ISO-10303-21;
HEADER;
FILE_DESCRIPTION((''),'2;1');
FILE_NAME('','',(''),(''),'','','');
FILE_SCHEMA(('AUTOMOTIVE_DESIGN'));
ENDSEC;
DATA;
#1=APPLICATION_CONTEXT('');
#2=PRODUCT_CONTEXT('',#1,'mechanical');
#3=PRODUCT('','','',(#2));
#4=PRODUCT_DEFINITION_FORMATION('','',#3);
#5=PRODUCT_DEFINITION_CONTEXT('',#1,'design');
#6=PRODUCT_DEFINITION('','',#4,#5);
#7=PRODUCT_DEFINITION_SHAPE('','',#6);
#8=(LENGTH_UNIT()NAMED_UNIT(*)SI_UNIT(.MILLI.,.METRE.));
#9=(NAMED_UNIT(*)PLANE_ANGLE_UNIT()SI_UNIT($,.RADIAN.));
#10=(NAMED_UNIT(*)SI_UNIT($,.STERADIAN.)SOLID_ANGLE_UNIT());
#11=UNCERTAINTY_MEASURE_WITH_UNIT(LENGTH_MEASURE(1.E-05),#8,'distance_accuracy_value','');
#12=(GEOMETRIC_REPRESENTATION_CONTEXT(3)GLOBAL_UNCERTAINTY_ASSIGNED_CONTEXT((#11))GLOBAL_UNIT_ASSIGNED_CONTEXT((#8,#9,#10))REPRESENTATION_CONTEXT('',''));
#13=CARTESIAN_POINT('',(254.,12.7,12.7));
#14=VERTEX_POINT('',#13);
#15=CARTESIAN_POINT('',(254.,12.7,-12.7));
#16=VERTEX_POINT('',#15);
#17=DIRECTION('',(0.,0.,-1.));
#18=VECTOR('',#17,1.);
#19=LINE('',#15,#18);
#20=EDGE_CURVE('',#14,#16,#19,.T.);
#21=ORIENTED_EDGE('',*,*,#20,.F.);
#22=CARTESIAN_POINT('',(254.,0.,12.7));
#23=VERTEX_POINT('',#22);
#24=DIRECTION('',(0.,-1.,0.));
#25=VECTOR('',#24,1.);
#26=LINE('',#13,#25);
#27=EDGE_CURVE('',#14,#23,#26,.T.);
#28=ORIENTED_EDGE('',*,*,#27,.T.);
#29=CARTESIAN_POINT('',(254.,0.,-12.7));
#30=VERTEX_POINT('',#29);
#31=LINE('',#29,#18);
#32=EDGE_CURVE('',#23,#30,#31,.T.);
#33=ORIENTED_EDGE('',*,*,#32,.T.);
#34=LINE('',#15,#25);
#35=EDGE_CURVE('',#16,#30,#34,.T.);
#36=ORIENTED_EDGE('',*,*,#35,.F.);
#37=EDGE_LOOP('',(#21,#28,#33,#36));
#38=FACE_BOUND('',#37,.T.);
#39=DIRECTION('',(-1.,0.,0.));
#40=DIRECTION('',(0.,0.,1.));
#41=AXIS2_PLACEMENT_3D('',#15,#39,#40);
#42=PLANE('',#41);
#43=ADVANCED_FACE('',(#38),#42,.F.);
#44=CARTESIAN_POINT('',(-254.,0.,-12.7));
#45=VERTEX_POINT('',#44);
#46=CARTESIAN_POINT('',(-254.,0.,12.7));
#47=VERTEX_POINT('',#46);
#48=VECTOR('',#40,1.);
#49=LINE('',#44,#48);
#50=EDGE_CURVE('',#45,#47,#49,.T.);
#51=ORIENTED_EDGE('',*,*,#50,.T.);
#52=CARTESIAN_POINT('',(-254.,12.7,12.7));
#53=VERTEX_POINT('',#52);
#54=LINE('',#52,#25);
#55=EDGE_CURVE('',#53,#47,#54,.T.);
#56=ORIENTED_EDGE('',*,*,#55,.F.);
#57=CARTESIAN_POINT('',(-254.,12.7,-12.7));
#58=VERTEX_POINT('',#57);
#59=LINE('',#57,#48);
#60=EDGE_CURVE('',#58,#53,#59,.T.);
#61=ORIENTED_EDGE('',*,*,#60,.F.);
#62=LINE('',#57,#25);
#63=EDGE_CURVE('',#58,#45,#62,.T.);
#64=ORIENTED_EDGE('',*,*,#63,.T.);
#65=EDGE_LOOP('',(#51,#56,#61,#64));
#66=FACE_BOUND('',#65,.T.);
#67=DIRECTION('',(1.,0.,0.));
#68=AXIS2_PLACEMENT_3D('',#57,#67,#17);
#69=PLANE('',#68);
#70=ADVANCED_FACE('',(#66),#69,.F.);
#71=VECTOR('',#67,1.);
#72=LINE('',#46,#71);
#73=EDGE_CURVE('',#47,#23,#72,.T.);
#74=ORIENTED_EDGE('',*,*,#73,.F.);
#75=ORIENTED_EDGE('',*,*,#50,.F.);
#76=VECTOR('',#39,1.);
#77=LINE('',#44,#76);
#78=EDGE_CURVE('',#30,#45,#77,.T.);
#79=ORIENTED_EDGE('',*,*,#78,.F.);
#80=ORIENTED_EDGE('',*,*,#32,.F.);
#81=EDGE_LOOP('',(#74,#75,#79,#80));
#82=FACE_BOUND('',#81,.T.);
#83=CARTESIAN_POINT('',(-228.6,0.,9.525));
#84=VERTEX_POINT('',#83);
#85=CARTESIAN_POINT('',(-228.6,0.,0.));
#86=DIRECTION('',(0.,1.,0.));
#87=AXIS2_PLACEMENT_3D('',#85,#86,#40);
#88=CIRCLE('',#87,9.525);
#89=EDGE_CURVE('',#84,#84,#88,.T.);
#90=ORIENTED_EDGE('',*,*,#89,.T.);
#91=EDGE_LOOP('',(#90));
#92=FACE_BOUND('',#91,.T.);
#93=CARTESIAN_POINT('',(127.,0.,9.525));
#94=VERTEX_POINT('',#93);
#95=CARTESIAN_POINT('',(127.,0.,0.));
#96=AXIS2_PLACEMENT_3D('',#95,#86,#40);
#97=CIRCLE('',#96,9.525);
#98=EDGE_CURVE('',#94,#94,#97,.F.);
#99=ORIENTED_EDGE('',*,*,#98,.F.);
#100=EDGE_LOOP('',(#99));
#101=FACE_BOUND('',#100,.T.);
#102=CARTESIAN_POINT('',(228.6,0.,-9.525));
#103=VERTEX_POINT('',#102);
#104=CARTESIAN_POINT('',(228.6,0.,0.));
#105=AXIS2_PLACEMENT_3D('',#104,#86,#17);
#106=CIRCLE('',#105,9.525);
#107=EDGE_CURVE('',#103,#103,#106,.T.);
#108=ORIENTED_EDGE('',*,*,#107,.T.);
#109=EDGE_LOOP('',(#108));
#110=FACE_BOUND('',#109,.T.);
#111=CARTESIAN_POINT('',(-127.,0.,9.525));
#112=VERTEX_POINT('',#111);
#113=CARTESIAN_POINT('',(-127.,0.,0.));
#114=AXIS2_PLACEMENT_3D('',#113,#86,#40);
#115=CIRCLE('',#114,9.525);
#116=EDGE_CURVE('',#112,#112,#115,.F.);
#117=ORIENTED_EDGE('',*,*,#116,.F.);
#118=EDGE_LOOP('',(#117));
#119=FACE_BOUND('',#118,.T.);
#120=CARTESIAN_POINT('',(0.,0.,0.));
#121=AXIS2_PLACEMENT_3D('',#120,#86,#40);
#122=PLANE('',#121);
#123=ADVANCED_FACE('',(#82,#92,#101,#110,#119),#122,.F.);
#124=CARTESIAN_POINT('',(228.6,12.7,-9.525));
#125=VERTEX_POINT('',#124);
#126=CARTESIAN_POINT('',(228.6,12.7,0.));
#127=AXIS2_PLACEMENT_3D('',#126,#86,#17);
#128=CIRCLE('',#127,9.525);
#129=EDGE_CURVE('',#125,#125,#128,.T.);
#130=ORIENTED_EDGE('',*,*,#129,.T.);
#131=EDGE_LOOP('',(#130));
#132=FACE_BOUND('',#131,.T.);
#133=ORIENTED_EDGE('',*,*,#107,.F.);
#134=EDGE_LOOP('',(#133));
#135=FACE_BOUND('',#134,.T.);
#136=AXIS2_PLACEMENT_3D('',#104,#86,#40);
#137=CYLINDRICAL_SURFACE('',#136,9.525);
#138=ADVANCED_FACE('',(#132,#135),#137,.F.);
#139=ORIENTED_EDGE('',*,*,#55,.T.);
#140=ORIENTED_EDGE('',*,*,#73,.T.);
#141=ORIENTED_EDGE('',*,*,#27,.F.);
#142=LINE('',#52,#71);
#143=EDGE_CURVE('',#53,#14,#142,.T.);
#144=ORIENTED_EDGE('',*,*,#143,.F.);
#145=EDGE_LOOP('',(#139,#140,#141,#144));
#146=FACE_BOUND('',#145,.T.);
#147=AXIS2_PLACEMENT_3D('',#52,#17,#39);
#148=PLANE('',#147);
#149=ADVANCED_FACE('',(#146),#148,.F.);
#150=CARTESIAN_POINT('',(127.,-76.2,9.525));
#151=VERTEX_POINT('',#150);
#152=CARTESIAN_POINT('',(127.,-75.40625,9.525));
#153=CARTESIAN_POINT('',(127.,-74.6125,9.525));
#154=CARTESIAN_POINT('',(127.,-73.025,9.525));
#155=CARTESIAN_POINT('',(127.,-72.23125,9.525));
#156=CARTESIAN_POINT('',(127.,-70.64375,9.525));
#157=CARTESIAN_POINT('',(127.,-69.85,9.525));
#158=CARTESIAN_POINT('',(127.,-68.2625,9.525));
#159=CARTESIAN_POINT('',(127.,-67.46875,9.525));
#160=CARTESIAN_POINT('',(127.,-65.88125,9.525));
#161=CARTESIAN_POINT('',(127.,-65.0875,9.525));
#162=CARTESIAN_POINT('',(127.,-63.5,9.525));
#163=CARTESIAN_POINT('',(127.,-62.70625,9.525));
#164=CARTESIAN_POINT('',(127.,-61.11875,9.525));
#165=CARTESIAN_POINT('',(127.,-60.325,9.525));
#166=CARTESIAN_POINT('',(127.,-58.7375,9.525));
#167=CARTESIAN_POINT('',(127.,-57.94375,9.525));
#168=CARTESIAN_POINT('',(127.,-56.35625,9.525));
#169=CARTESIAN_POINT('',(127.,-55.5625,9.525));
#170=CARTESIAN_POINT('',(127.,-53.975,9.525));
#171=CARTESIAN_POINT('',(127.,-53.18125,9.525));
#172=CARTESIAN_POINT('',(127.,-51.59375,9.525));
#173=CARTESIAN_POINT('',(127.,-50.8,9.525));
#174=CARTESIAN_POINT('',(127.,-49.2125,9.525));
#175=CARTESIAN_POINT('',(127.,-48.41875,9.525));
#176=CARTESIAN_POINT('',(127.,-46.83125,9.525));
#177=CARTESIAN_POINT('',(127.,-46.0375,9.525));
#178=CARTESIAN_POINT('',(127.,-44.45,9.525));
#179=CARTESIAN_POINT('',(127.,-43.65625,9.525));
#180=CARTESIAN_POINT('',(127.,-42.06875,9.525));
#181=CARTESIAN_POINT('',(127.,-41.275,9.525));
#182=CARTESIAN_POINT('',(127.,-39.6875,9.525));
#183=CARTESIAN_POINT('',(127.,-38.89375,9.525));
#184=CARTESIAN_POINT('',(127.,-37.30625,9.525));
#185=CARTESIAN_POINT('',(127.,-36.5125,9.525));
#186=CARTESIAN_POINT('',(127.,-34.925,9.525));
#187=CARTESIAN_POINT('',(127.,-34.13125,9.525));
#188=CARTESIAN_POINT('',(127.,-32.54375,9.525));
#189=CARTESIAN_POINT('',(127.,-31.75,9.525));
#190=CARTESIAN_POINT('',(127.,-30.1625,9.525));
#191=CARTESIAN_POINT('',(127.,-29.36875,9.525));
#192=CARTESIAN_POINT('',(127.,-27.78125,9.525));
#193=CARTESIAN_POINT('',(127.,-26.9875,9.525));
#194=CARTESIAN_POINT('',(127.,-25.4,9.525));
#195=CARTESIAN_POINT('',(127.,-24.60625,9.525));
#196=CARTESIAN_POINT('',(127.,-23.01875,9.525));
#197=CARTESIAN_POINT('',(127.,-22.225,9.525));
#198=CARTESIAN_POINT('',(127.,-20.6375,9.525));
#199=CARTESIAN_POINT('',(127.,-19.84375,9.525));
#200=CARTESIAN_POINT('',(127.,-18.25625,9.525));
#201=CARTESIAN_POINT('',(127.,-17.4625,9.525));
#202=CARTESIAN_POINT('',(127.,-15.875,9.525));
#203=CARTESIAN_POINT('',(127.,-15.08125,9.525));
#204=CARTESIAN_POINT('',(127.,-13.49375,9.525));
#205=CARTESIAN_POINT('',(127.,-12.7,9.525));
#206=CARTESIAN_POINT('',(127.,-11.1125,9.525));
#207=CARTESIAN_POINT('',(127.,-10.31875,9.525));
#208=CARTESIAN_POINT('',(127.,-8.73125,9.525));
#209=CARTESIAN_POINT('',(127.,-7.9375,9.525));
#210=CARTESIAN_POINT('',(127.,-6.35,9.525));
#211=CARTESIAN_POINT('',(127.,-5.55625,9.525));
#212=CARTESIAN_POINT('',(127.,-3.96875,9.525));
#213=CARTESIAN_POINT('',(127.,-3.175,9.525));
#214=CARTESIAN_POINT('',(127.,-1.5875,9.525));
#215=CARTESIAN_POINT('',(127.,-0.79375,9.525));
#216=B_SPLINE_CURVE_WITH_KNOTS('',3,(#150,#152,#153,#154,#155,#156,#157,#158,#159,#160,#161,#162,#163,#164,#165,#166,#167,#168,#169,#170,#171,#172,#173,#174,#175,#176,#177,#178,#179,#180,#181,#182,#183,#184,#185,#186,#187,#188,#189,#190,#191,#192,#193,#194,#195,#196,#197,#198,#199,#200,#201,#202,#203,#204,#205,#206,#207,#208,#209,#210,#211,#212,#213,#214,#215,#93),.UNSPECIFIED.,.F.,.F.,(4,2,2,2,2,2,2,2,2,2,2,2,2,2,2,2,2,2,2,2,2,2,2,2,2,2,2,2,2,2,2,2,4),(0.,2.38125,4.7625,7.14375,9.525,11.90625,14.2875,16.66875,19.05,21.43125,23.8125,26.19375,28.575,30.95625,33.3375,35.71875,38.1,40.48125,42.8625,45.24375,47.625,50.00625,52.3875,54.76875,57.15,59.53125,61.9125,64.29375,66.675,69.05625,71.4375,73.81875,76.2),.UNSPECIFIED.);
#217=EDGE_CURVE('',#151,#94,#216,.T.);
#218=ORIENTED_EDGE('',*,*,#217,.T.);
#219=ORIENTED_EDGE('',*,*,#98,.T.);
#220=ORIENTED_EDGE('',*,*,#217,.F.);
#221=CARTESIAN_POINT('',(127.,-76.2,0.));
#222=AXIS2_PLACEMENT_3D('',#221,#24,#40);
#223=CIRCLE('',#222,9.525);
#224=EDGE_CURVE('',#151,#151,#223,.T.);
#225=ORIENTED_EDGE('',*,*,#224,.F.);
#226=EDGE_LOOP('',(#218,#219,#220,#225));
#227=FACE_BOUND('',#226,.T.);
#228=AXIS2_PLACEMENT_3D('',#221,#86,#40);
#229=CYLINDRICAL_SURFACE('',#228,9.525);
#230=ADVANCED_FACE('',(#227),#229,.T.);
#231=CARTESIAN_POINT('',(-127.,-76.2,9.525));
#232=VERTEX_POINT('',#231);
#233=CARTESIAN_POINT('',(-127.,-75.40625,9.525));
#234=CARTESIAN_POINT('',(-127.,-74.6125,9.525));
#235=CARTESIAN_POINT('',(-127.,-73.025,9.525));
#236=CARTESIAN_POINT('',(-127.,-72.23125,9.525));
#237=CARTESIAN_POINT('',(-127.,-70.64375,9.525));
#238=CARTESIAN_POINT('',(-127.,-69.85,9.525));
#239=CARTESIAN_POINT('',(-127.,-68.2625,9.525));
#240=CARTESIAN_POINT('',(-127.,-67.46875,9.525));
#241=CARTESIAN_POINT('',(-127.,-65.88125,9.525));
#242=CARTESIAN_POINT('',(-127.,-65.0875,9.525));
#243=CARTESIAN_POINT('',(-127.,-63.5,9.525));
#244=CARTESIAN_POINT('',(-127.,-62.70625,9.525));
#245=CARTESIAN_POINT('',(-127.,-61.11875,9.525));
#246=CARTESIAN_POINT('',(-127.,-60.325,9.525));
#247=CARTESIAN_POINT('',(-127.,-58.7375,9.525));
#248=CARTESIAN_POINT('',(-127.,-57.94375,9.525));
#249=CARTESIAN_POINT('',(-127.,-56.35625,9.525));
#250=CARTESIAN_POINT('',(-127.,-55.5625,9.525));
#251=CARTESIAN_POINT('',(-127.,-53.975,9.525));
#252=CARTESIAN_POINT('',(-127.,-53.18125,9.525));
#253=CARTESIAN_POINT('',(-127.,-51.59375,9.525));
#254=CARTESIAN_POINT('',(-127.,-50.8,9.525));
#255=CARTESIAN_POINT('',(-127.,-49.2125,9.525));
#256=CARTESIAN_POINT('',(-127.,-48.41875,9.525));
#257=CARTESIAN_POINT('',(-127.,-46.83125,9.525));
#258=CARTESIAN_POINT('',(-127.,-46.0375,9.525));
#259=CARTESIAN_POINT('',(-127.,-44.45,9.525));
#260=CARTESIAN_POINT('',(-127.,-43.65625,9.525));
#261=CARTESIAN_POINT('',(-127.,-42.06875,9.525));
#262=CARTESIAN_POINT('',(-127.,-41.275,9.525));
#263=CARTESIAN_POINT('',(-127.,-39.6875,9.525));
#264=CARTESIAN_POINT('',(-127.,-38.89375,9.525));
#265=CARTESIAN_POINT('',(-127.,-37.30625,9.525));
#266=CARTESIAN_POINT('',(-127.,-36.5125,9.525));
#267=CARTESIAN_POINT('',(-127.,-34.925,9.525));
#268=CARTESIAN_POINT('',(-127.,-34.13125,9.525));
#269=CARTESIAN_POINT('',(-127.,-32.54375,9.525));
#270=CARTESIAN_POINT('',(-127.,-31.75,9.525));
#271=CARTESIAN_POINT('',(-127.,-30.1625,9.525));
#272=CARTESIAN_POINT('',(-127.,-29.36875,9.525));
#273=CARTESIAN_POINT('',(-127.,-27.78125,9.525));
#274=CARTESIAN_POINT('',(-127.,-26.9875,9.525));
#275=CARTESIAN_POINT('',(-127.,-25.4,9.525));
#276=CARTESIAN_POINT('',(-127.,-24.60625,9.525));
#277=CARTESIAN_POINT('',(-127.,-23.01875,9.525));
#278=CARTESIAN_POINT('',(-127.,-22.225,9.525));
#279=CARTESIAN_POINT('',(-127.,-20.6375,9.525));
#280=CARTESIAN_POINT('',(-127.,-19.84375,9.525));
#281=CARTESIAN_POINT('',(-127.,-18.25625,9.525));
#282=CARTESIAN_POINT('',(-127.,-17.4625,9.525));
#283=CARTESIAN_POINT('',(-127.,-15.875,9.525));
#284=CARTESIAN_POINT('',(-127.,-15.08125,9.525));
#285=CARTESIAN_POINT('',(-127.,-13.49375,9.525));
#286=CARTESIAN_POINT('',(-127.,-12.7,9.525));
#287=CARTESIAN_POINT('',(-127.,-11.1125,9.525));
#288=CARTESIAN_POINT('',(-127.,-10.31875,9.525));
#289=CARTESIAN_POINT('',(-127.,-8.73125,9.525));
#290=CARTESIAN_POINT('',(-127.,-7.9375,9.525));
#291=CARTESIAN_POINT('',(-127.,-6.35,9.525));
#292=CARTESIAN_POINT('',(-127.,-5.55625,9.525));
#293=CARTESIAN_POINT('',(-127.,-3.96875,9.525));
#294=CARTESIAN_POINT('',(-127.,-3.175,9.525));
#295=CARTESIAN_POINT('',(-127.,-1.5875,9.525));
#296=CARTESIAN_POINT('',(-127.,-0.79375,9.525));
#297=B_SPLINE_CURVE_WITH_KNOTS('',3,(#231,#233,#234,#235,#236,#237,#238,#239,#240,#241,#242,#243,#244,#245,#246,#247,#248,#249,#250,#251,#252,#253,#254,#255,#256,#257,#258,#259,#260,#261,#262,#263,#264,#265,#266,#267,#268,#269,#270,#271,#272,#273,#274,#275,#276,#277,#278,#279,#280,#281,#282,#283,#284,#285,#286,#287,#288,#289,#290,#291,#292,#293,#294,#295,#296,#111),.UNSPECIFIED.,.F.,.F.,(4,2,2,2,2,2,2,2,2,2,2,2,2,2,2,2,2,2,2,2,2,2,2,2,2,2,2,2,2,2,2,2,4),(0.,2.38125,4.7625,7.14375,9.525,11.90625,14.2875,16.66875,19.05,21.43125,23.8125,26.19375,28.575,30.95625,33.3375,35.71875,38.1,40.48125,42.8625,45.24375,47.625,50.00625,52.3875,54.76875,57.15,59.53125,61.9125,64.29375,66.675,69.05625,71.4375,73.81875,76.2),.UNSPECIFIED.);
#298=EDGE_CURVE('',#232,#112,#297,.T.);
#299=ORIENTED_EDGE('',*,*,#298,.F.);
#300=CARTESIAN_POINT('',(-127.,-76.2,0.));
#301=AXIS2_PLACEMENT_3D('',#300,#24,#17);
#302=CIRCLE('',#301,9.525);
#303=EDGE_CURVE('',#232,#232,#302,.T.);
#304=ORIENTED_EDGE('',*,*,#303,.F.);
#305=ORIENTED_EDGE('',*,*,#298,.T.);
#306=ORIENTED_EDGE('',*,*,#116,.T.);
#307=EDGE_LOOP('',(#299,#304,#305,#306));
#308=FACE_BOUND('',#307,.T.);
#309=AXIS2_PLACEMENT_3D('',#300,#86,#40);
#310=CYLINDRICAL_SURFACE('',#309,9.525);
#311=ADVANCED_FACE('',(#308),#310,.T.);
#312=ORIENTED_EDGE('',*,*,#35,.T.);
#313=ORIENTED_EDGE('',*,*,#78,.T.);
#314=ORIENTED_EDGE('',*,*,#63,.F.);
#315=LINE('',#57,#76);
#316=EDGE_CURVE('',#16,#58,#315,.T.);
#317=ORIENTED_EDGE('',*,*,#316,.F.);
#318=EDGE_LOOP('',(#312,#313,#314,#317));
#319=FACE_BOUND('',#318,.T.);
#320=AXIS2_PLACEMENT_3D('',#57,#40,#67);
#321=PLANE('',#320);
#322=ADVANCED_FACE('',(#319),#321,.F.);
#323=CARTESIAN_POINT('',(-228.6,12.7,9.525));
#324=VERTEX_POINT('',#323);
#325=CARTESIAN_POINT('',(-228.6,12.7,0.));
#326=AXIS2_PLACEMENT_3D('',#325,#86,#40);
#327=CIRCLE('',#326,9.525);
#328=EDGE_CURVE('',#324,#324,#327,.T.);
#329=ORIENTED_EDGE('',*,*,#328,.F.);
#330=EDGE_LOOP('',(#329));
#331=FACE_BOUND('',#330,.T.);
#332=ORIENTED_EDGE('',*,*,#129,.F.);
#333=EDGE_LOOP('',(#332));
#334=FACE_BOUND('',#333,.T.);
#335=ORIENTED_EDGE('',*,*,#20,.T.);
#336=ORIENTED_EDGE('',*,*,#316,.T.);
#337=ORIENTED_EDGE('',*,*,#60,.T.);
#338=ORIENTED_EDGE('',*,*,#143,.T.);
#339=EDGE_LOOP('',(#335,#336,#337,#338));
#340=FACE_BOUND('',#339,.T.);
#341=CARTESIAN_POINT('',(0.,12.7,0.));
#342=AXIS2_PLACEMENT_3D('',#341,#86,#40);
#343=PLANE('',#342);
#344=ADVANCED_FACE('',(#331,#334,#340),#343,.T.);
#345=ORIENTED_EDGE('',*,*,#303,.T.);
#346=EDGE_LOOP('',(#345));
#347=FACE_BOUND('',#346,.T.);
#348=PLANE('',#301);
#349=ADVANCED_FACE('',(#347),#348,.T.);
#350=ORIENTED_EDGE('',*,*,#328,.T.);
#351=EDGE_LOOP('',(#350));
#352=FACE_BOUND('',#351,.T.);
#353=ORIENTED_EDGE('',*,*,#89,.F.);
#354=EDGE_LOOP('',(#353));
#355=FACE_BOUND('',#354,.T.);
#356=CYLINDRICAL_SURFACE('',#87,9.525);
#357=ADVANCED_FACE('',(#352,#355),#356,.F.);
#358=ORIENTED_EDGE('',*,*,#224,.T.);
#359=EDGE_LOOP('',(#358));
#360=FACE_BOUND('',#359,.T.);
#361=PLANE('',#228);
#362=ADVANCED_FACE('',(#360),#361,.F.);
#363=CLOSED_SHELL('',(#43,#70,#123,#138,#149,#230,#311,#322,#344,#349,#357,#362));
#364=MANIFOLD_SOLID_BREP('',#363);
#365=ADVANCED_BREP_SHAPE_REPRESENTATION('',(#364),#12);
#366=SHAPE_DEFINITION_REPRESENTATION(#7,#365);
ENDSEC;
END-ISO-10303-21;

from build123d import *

# Parameters (mm, degrees)
SKETCH1_W           = 508
SKETCH1_H           = 25.4
BOSS_EXTRUDE1_DEPTH = 12.7
SKETCH2_R           = 9.525
CUT_EXTRUDE1_DEPTH  = 255.634208228
SKETCH3_R           = 9.525
BOSS_EXTRUDE2_DEPTH = 76.2


with BuildPart() as part:
    # Sketch1 → Boss-Extrude1 (new body)
    with BuildSketch(Plane(origin=(0, 0, 0), x_dir=(1, 0, 0), z_dir=(0, 1, 0))):
        Rectangle(SKETCH1_W, SKETCH1_H)
    extrude(amount=BOSS_EXTRUDE1_DEPTH)

    # Sketch2 → Cut-Extrude1 (cut, through all)
    with BuildSketch(Plane(origin=(0, 12.7, 0), x_dir=(1, 0, 0), z_dir=(0, 1, 0))):
        with Locations(Location((-228.6, 0, 0), (0, 0, 270))):
            Circle(SKETCH2_R)
        with Locations(Location((228.6, 0, 0), (0, 0, 90))):
            Circle(SKETCH2_R)
    extrude(amount=-CUT_EXTRUDE1_DEPTH, mode=Mode.SUBTRACT)

    # Sketch3 → Boss-Extrude2 (add)
    with BuildSketch(Plane.XZ):
        with Locations(Location((-127, 0, 0), (0, 0, 90))):
            Circle(SKETCH3_R)
        with Locations(Location((127, 0, 0), (0, 0, 90))):
            Circle(SKETCH3_R)
    extrude(amount=BOSS_EXTRUDE2_DEPTH)


solid = part.part
